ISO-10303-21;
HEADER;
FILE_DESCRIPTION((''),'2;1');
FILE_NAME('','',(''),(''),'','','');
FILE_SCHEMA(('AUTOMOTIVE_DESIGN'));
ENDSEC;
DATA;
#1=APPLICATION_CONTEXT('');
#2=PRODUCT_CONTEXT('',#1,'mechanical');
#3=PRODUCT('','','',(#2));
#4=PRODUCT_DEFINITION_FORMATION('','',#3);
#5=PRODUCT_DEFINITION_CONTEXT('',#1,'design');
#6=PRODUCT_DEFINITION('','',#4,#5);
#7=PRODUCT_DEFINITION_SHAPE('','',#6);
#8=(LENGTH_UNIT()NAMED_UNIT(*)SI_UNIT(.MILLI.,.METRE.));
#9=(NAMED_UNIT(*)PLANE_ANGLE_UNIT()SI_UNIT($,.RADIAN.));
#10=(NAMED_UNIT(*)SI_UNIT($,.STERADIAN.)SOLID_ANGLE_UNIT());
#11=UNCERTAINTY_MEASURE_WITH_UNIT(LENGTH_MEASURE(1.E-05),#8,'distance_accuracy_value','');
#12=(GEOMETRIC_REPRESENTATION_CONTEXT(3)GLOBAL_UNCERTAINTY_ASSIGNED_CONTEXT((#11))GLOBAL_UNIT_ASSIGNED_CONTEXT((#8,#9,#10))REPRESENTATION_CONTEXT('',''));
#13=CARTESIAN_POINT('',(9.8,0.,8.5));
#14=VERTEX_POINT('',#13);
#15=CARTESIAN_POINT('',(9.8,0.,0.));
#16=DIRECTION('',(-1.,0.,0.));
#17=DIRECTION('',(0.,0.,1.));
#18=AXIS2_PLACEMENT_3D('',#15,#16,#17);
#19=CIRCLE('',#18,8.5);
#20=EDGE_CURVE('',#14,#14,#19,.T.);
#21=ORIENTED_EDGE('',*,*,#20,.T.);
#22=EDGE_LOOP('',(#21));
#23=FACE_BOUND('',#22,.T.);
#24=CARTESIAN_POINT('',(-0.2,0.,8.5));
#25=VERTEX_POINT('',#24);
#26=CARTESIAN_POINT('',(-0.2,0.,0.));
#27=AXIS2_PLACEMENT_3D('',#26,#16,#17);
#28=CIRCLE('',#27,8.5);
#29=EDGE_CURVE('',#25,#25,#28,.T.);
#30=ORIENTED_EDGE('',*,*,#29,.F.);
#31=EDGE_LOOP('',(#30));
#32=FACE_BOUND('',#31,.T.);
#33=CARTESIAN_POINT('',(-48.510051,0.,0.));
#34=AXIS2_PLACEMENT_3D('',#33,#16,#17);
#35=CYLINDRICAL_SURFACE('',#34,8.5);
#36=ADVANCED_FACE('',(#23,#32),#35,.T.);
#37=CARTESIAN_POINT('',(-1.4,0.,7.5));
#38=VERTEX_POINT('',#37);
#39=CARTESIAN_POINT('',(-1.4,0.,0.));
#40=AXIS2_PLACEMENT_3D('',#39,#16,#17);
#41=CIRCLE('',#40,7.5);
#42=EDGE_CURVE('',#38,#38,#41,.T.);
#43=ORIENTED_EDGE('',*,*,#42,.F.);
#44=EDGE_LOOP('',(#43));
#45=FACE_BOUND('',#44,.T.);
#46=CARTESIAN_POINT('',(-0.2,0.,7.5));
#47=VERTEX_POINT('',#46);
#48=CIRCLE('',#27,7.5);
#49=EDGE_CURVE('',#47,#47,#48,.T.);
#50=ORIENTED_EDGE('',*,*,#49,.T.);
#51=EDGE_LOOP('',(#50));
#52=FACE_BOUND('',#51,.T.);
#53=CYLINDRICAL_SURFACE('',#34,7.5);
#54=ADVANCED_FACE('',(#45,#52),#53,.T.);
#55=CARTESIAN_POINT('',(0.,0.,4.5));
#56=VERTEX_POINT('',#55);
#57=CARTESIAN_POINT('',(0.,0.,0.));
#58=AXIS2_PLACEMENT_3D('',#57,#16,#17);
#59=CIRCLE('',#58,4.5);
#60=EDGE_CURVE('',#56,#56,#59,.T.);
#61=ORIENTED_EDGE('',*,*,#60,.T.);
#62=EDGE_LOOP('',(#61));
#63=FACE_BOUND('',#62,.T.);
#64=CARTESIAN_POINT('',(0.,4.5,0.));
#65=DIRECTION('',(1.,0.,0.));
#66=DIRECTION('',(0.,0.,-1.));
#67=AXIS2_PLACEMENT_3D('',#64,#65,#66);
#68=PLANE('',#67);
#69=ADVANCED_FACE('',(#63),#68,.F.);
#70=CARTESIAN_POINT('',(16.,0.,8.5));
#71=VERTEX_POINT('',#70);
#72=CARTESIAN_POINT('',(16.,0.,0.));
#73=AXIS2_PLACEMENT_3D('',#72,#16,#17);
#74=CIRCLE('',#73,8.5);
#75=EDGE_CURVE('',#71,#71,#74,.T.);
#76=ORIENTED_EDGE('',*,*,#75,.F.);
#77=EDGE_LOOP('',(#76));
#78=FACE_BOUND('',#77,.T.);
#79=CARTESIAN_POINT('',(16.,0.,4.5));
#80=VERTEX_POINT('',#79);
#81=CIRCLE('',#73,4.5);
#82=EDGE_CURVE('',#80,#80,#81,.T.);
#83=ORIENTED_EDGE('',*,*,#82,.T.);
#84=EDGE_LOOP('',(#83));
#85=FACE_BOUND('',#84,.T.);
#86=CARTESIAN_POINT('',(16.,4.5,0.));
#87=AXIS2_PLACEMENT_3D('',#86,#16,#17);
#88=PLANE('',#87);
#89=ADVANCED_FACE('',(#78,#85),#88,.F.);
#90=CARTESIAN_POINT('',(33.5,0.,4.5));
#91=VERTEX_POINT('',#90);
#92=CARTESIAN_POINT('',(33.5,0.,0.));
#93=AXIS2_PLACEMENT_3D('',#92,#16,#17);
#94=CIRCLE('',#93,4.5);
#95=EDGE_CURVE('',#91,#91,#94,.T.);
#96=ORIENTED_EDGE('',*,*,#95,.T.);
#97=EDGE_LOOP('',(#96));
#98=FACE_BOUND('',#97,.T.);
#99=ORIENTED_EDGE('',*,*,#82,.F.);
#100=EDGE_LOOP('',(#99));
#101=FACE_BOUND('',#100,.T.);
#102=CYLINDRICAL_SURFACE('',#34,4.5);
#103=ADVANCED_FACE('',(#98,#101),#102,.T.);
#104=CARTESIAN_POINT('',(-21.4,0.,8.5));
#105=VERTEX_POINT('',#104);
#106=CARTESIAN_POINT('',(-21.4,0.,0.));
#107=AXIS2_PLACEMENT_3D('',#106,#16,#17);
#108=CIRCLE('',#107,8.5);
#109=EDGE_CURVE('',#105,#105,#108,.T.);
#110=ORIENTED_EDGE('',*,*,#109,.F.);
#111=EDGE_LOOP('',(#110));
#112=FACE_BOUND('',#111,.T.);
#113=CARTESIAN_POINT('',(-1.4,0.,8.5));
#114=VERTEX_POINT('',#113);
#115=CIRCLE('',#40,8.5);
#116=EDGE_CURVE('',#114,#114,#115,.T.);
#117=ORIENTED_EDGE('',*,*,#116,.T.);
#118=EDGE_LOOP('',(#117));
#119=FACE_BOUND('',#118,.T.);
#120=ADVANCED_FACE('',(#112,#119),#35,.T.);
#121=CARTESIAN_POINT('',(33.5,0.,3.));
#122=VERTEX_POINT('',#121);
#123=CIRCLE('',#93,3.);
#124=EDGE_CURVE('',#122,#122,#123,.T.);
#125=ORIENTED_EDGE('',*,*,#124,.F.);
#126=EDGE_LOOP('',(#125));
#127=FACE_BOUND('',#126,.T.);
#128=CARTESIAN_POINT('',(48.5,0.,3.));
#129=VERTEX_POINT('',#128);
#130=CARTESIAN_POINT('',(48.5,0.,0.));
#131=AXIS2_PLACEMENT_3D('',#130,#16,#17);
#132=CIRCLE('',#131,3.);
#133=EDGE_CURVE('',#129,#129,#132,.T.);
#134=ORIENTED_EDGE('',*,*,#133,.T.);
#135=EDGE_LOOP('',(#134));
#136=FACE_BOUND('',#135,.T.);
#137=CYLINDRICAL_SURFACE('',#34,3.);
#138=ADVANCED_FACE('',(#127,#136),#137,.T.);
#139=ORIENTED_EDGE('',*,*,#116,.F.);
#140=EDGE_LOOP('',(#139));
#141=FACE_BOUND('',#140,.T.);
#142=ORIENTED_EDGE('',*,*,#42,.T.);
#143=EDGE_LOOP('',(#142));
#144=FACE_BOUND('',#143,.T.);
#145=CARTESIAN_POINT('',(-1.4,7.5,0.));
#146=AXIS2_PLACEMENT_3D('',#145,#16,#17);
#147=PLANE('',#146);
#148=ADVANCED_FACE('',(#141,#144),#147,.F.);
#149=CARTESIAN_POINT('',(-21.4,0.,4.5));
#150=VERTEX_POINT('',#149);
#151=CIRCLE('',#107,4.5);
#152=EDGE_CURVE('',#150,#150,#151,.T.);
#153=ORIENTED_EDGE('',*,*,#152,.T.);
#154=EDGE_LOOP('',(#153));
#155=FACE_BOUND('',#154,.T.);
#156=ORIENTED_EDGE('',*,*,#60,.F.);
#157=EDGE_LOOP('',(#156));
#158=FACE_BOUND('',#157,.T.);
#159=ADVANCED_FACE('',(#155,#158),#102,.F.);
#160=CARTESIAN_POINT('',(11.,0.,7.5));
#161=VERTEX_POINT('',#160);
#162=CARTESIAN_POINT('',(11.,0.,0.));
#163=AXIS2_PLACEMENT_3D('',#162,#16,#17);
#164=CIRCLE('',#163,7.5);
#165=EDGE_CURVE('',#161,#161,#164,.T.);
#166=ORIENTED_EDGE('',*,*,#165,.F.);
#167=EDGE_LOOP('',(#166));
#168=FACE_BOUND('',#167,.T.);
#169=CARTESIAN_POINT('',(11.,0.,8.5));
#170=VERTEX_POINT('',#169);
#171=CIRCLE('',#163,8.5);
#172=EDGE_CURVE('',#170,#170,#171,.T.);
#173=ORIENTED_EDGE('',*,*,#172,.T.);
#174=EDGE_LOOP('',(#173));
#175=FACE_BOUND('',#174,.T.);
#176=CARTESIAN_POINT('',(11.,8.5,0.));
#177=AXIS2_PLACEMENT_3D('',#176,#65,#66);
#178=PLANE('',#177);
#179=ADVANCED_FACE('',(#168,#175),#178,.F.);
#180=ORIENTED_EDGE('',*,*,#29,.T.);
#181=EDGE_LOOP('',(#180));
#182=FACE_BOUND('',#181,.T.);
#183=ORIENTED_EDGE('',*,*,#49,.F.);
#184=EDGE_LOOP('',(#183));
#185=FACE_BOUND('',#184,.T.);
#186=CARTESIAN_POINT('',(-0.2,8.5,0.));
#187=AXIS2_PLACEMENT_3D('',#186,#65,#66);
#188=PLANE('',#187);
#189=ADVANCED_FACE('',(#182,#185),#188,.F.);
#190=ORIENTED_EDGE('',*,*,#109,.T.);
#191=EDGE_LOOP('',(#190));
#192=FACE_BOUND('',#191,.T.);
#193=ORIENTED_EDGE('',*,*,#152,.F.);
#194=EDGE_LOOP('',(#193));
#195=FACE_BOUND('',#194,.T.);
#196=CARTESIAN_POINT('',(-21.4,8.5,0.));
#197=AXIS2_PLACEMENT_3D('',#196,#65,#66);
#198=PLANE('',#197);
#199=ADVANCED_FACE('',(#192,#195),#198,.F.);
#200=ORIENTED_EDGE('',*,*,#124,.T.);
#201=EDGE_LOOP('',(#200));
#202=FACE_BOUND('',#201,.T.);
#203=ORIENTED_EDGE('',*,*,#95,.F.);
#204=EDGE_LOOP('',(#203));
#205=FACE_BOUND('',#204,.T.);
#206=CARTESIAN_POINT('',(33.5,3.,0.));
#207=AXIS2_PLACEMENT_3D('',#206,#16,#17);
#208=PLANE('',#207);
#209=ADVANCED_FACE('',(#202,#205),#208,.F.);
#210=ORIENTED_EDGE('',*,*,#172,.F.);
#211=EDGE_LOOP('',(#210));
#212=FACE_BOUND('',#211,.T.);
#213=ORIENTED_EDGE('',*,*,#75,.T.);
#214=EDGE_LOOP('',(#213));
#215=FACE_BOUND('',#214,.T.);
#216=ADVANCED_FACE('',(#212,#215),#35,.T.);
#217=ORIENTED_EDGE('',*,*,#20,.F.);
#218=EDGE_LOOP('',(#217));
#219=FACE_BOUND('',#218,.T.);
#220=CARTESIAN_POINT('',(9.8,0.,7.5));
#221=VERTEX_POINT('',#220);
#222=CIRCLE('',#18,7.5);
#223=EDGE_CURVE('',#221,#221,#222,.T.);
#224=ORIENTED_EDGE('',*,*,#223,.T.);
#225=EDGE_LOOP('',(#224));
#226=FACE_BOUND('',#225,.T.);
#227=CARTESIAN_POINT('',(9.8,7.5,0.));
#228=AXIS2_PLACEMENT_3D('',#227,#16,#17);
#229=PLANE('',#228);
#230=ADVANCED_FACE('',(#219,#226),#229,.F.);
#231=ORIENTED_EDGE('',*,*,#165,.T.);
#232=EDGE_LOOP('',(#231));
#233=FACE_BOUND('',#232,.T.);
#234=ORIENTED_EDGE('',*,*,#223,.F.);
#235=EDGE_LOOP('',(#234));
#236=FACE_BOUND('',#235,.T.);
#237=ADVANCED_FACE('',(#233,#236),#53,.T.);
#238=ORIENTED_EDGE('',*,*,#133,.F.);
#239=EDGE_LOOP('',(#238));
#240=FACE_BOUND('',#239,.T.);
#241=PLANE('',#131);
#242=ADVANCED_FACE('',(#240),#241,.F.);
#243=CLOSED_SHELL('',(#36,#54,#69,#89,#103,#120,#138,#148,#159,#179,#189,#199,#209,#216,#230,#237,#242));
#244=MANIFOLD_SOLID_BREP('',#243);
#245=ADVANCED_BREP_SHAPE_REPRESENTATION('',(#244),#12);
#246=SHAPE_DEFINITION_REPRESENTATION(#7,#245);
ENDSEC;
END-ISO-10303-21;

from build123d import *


with BuildPart() as part:
    # Sketch1 → Revolve1 (revolve)
    with BuildSketch(Plane.XY):
        Polygon((-21.4, 4.5), (0, 4.5), (0, 0), (48.5, 0), (48.5, 3), (33.5, 3), (33.5, 4.5), (16, 4.5), (16, 8.5), (11, 8.5), (11, 7.5), (9.8, 7.5), (9.8, 8.5), (-0.2, 8.5), (-0.2, 7.5), (-1.4, 7.5), (-1.4, 8.5), (-21.4, 8.5), align=None)
    revolve(axis=Axis((-48.510050734, 0, 0), (1, 0, 0)))


solid = part.part
